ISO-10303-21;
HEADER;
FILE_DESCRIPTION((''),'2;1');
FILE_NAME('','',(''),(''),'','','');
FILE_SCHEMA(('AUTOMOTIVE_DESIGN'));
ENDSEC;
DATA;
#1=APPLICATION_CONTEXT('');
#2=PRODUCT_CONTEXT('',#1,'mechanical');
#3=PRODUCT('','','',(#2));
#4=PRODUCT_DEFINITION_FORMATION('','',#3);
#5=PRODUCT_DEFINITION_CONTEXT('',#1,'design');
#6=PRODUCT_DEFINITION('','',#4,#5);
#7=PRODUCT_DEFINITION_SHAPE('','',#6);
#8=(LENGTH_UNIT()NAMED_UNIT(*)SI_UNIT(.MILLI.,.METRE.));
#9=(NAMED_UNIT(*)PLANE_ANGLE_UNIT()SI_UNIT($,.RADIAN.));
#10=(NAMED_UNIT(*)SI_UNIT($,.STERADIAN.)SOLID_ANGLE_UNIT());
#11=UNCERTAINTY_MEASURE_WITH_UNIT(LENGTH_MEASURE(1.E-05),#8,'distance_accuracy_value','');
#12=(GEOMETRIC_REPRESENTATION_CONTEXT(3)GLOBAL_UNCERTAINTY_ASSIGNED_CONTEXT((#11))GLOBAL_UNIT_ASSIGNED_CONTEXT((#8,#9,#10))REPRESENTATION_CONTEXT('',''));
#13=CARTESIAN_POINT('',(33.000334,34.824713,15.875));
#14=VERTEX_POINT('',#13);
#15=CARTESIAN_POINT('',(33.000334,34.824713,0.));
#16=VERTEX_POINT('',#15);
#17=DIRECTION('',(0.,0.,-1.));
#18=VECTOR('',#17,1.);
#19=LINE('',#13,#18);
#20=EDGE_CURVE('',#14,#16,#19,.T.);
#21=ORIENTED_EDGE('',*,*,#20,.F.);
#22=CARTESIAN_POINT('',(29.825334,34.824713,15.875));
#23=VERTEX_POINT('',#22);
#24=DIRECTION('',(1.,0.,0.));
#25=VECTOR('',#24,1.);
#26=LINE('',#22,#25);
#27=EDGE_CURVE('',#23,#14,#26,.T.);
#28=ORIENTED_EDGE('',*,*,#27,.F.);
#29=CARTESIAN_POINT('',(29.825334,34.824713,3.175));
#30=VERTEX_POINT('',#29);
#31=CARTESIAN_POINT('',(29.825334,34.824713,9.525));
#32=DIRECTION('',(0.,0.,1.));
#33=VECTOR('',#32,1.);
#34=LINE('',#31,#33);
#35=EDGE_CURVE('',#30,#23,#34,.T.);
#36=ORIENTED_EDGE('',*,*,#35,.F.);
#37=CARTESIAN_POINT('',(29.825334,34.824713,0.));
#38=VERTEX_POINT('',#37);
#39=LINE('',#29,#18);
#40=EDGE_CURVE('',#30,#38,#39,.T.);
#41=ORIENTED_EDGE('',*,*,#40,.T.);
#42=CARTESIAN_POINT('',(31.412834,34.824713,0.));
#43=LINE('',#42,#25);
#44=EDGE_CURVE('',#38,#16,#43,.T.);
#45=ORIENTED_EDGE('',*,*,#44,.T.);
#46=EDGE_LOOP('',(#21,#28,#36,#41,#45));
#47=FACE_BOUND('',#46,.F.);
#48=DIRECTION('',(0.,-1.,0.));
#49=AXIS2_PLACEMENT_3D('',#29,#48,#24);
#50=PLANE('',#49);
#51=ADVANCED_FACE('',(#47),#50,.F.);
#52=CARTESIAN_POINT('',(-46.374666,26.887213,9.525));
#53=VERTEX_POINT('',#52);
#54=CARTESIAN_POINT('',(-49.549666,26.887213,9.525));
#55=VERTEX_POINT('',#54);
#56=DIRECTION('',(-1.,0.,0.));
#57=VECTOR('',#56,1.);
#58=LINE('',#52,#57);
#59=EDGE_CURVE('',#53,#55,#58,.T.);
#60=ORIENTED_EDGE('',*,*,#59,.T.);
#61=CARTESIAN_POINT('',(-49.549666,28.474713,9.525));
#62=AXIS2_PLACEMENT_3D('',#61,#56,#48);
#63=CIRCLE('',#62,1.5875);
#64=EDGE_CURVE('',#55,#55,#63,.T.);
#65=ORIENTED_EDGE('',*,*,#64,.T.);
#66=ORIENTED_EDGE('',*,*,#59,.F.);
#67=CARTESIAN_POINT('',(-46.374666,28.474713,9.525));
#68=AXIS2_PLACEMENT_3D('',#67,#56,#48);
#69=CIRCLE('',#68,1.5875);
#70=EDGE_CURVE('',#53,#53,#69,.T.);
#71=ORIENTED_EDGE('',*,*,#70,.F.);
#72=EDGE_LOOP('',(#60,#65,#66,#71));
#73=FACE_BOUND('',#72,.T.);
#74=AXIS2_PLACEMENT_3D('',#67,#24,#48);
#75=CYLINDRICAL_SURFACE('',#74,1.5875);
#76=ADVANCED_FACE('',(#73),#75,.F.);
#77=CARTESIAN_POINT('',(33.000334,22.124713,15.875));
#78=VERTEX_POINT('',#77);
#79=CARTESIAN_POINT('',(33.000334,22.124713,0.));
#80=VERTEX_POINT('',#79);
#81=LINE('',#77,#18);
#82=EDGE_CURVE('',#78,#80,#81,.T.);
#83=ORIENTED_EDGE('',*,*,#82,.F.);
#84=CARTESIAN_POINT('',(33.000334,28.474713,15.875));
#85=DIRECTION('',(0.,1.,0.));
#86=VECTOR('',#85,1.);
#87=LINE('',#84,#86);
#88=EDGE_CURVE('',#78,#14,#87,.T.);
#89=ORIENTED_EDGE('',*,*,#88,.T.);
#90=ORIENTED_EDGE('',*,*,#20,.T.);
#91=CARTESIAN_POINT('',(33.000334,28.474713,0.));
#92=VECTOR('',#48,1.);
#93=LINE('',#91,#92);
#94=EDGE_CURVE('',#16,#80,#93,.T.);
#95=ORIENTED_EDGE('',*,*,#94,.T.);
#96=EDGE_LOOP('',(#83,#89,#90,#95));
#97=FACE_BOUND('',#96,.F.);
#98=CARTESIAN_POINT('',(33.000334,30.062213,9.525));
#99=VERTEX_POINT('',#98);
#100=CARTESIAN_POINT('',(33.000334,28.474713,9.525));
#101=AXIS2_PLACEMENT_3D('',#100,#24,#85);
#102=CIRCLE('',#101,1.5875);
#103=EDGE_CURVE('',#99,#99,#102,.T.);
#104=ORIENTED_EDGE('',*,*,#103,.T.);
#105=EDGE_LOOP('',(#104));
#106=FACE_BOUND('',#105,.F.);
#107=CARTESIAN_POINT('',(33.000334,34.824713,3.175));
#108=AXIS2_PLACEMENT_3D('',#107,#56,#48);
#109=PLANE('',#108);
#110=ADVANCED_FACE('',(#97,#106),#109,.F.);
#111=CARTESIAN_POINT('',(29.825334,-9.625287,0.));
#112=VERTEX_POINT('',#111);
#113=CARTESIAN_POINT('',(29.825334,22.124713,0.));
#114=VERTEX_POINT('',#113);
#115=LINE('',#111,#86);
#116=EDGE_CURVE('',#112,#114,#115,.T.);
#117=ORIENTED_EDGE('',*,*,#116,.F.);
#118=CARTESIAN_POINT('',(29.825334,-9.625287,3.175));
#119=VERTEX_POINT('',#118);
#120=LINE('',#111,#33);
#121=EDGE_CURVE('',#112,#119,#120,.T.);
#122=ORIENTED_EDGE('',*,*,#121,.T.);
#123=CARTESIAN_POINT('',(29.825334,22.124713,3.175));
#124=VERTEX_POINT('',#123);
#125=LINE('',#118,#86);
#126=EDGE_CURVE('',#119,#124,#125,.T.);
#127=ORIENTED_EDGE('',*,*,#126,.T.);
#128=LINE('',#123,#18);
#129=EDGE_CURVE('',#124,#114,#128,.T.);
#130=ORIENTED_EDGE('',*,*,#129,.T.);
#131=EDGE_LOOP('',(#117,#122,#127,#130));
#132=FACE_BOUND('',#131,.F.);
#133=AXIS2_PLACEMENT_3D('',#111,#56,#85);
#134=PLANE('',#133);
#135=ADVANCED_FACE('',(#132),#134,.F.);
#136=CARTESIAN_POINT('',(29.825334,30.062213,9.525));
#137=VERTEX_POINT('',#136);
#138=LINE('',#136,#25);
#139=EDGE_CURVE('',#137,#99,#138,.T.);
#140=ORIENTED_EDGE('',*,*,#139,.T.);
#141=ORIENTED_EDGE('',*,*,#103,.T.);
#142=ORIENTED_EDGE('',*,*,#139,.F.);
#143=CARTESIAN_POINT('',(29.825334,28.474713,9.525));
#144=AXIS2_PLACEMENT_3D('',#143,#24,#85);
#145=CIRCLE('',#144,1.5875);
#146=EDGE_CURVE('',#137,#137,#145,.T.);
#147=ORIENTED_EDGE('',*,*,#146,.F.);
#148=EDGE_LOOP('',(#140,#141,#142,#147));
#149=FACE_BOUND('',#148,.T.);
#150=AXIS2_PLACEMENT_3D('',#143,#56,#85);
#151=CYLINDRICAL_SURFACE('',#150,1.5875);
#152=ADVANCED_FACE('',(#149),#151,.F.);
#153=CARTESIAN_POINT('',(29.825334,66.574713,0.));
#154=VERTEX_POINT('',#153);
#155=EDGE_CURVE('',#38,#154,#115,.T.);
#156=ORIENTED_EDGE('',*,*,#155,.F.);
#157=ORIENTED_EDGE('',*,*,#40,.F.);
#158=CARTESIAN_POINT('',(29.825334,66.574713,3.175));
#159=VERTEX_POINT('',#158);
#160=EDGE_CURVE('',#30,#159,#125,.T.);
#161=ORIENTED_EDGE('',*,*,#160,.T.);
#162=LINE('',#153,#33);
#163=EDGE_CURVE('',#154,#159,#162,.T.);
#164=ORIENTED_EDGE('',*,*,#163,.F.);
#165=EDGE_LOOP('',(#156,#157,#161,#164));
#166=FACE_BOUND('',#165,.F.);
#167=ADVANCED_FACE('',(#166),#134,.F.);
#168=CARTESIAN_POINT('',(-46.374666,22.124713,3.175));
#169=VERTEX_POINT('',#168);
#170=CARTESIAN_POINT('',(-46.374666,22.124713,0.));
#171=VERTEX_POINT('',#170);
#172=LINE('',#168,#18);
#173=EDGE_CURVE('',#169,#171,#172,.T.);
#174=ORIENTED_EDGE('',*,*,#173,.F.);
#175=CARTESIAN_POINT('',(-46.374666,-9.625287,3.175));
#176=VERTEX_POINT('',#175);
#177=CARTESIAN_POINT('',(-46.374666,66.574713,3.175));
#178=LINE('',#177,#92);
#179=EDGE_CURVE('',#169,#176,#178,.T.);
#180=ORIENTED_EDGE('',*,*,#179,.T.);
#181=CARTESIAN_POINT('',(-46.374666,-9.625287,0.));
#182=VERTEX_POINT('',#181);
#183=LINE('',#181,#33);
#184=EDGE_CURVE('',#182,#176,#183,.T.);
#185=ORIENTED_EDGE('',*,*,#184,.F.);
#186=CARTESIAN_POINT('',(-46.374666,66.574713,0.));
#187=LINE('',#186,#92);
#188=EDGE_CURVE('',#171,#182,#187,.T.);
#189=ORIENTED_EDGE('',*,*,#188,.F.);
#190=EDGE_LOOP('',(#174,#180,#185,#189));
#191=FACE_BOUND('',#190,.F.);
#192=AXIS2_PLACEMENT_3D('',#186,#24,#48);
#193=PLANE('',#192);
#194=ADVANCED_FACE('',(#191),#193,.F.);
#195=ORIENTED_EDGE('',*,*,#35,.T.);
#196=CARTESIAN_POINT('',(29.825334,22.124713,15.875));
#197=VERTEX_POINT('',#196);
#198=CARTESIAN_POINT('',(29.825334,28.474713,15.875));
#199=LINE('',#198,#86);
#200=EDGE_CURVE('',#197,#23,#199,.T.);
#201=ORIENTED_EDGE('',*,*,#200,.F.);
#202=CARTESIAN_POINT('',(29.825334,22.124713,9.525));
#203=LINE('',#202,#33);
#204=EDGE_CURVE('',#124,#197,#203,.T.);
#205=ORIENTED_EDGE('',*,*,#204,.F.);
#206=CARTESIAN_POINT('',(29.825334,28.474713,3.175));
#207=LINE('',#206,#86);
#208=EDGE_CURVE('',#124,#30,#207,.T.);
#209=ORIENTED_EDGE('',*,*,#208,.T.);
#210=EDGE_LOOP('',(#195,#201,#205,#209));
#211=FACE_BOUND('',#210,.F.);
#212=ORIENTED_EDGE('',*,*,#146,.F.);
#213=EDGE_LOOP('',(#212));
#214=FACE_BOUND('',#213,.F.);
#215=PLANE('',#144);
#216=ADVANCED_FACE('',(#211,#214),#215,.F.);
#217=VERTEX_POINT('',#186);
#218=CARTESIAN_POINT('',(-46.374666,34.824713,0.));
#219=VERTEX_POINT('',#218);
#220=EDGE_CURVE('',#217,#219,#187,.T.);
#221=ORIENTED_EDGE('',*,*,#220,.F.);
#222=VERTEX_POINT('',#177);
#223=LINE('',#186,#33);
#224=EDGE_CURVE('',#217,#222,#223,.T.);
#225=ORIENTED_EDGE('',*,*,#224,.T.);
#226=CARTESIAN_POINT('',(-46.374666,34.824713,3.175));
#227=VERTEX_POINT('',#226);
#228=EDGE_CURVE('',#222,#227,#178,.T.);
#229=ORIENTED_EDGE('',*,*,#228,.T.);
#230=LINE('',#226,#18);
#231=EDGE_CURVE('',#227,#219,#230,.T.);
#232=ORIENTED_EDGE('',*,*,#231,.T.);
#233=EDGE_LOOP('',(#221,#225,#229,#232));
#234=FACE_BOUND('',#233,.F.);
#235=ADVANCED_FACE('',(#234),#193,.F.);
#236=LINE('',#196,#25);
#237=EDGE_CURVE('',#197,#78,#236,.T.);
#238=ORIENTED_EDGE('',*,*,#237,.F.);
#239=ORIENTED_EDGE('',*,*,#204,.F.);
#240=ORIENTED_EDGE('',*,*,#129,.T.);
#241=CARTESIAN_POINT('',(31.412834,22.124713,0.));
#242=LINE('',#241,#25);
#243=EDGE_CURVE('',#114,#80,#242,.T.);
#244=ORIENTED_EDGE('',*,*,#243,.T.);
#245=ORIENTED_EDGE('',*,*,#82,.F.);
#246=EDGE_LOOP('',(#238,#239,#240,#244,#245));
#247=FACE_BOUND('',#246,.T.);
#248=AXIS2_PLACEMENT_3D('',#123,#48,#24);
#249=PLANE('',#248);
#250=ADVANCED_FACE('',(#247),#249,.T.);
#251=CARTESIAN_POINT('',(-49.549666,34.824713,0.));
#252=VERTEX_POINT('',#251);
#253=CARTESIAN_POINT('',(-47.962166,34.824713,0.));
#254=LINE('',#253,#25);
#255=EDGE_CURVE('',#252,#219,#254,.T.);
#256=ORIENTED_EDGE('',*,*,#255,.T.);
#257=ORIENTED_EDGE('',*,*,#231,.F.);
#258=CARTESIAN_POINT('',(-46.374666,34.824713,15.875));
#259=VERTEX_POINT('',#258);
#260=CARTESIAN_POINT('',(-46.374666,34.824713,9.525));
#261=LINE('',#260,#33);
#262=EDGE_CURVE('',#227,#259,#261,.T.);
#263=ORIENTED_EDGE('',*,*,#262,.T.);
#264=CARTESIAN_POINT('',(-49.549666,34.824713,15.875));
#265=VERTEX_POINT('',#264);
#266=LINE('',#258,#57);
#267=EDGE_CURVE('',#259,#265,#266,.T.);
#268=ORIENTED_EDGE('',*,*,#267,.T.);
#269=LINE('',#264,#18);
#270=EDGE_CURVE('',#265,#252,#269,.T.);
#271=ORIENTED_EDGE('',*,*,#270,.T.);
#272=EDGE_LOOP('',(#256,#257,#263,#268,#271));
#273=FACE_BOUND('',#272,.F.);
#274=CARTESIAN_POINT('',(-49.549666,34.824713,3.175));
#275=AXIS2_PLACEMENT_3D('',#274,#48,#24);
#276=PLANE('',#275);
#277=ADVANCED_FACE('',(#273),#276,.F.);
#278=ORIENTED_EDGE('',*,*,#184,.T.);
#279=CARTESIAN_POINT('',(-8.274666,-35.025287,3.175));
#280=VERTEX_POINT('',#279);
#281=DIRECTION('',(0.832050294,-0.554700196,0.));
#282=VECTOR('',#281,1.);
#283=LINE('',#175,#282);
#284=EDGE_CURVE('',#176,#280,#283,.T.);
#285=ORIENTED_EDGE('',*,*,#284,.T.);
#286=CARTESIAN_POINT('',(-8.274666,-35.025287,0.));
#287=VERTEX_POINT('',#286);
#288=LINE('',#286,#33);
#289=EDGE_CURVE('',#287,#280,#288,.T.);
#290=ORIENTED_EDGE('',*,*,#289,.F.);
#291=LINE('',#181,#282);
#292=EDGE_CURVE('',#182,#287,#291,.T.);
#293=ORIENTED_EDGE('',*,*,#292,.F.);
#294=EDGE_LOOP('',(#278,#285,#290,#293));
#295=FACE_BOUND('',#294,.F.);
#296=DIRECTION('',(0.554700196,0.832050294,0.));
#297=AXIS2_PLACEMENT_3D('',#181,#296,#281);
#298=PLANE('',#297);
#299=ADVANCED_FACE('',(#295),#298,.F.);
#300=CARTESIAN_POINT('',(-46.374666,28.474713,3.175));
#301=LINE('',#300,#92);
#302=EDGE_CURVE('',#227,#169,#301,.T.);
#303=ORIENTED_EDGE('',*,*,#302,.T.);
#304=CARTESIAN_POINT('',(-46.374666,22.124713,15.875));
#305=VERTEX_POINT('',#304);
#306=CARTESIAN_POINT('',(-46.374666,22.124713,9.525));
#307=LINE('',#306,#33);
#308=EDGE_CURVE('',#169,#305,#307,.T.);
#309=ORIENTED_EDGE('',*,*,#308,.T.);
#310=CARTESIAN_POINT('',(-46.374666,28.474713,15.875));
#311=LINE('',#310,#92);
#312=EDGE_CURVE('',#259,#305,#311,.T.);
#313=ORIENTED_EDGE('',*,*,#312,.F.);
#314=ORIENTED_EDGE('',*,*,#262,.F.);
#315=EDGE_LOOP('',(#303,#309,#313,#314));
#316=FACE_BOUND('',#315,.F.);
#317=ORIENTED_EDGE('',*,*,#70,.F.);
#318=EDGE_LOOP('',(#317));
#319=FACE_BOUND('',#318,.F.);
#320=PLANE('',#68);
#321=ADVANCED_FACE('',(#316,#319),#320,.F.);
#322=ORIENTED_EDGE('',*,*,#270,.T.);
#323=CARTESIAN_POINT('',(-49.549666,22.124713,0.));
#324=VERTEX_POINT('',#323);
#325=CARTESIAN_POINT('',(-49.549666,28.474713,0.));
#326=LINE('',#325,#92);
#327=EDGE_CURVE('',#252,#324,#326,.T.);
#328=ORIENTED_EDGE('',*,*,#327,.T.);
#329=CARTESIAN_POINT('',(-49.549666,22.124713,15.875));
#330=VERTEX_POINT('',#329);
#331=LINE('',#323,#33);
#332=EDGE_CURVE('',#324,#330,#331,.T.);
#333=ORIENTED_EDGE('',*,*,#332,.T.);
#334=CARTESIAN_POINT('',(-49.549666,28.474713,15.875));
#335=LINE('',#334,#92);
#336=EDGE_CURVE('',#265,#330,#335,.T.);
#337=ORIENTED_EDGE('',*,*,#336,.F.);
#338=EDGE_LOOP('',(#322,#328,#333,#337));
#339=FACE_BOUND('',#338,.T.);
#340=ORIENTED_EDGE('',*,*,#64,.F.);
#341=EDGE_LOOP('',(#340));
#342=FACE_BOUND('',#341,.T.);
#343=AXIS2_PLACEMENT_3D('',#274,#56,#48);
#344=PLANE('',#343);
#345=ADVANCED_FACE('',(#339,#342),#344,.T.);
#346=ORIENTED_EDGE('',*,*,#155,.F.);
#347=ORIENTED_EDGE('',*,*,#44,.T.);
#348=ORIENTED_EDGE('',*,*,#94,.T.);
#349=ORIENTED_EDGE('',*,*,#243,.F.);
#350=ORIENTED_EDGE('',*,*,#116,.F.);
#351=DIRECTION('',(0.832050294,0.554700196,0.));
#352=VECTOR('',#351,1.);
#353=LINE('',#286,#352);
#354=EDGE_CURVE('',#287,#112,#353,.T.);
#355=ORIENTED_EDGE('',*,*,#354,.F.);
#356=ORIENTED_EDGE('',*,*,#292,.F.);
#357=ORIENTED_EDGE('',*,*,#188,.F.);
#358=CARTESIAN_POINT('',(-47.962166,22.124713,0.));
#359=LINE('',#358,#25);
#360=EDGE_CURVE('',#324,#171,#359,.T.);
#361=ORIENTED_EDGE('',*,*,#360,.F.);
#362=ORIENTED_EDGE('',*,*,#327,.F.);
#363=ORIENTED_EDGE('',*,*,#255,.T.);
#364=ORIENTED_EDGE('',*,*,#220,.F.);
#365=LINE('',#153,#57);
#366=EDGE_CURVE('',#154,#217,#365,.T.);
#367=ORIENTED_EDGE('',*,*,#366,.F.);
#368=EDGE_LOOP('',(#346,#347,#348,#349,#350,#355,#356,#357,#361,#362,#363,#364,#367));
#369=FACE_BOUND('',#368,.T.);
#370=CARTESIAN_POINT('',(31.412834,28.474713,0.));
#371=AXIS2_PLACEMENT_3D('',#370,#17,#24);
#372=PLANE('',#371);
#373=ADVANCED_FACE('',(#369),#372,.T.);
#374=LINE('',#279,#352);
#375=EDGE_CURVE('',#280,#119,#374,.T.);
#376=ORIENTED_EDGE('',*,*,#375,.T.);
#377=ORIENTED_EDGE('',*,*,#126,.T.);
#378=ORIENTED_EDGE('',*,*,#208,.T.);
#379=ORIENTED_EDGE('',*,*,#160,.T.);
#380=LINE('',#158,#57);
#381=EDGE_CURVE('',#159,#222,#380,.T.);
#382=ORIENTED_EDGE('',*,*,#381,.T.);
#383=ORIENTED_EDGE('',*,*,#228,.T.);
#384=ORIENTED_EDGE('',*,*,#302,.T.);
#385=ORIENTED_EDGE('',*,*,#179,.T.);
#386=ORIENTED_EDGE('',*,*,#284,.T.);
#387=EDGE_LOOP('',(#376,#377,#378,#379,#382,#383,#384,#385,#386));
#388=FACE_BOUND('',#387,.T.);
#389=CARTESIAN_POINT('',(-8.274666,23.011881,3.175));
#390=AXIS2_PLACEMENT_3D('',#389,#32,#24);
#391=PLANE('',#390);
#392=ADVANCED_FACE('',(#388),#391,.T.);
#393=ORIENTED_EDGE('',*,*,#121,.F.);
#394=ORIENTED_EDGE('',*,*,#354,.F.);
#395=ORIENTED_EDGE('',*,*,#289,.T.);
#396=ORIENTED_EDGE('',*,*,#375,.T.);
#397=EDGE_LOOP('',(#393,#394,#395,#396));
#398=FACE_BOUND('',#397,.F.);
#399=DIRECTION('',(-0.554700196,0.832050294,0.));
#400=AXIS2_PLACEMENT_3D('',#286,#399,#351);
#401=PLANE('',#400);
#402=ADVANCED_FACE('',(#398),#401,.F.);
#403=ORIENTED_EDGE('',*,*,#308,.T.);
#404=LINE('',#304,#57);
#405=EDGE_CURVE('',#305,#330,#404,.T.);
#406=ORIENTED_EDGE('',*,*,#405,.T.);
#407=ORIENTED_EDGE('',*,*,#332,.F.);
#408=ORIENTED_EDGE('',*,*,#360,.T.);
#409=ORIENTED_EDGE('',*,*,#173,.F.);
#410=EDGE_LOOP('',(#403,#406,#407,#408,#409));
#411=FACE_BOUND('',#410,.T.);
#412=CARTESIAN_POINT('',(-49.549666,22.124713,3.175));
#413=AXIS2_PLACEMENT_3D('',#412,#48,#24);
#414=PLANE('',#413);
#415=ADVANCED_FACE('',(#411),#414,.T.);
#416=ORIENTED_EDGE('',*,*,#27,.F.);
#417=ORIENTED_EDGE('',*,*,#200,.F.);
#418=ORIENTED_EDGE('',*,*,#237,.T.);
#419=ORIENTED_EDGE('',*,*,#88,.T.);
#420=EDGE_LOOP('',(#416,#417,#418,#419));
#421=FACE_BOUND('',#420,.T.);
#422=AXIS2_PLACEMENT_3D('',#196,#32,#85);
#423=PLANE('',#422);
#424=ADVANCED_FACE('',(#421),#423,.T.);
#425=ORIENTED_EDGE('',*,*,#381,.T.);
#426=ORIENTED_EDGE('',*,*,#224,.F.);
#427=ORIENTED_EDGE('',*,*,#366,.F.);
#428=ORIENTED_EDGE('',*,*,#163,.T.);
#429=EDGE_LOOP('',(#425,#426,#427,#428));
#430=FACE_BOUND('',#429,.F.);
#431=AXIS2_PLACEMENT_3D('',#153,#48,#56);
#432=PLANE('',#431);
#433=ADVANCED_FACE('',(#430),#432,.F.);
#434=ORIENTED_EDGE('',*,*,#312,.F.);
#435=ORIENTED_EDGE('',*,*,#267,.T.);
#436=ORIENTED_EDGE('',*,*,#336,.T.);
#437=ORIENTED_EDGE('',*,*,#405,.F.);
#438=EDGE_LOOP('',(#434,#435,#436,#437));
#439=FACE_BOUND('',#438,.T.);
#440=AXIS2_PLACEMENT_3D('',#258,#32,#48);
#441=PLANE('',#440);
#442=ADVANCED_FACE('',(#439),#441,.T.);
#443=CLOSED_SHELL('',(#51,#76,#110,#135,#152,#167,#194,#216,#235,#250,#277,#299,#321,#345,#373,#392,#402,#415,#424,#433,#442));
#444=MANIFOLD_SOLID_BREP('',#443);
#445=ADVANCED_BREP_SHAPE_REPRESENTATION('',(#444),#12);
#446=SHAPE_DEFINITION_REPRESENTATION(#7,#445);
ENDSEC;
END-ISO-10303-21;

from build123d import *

# Parameters (mm, degrees)
F1_DEPTH  = 3.175
F2_W      = 12.7
F2_H      = 12.7
F2_R      = 1.5875
F4_DEPTH  = 3.175
F4_FACE_W = 3.175
F4_FACE_H = 12.7
F5_DEPTH  = 3.175
F3_W      = 12.7
F3_H      = 12.7
F3_R      = 1.5875
F6_DEPTH  = 3.175
F6_FACE_W = 3.175
F6_FACE_H = 12.7
F7_DEPTH  = 3.175


with BuildPart() as f1:
    # F0 (on Top) → F1 (new body)
    with BuildSketch(Plane.XY):
        Polygon((29.825334, 66.574713), (-46.374666, 66.574713), (-46.374666, -9.625287), (-8.274666, -35.025287), (29.825334, -9.625287), align=None)
    extrude(amount=F1_DEPTH)



with BuildPart() as f4:
    # F2 (on face) → F4 (new body)
    with BuildSketch(Plane(origin=(-46.374666, 0, 0), x_dir=(0, -1, 0), z_dir=(-1, 0, 0))):
        with Locations((-28.474713, 9.525)):
            Rectangle(F2_W, F2_H)
        with Locations((-28.474713, 9.525)):
            Circle(F2_R, mode=Mode.SUBTRACT)
    extrude(amount=F4_DEPTH)


with BuildPart() as f1_1:
    add(f1.part)

    add(f4.part)  # F5 merges F4
    # F4_face (on face) → F5 (join)
    with BuildSketch(Plane(origin=(-47.962166, 28.474713, 3.175), x_dir=(1, 0, 0), z_dir=(0, 0, -1))):
        Rectangle(F4_FACE_W, F4_FACE_H)
    extrude(amount=F5_DEPTH)



with BuildPart() as f6:
    # F3 (on face) → F6 (new body)
    with BuildSketch(Plane.YZ.offset(29.825334)):
        with Locations((28.474713, 9.525)):
            Rectangle(F3_W, F3_H)
        with Locations((28.474713, 9.525)):
            Circle(F3_R, mode=Mode.SUBTRACT)
    extrude(amount=F6_DEPTH)


with BuildPart() as f1_2:
    add(f1_1.part)

    add(f6.part)  # F7 merges F6
    # F6_face (on face) → F7 (join)
    with BuildSketch(Plane(origin=(31.412834, 28.474713, 3.175), x_dir=(1, 0, 0), z_dir=(0, 0, -1))):
        Rectangle(F6_FACE_W, F6_FACE_H)
    extrude(amount=F7_DEPTH)


solid = f1_2.part
